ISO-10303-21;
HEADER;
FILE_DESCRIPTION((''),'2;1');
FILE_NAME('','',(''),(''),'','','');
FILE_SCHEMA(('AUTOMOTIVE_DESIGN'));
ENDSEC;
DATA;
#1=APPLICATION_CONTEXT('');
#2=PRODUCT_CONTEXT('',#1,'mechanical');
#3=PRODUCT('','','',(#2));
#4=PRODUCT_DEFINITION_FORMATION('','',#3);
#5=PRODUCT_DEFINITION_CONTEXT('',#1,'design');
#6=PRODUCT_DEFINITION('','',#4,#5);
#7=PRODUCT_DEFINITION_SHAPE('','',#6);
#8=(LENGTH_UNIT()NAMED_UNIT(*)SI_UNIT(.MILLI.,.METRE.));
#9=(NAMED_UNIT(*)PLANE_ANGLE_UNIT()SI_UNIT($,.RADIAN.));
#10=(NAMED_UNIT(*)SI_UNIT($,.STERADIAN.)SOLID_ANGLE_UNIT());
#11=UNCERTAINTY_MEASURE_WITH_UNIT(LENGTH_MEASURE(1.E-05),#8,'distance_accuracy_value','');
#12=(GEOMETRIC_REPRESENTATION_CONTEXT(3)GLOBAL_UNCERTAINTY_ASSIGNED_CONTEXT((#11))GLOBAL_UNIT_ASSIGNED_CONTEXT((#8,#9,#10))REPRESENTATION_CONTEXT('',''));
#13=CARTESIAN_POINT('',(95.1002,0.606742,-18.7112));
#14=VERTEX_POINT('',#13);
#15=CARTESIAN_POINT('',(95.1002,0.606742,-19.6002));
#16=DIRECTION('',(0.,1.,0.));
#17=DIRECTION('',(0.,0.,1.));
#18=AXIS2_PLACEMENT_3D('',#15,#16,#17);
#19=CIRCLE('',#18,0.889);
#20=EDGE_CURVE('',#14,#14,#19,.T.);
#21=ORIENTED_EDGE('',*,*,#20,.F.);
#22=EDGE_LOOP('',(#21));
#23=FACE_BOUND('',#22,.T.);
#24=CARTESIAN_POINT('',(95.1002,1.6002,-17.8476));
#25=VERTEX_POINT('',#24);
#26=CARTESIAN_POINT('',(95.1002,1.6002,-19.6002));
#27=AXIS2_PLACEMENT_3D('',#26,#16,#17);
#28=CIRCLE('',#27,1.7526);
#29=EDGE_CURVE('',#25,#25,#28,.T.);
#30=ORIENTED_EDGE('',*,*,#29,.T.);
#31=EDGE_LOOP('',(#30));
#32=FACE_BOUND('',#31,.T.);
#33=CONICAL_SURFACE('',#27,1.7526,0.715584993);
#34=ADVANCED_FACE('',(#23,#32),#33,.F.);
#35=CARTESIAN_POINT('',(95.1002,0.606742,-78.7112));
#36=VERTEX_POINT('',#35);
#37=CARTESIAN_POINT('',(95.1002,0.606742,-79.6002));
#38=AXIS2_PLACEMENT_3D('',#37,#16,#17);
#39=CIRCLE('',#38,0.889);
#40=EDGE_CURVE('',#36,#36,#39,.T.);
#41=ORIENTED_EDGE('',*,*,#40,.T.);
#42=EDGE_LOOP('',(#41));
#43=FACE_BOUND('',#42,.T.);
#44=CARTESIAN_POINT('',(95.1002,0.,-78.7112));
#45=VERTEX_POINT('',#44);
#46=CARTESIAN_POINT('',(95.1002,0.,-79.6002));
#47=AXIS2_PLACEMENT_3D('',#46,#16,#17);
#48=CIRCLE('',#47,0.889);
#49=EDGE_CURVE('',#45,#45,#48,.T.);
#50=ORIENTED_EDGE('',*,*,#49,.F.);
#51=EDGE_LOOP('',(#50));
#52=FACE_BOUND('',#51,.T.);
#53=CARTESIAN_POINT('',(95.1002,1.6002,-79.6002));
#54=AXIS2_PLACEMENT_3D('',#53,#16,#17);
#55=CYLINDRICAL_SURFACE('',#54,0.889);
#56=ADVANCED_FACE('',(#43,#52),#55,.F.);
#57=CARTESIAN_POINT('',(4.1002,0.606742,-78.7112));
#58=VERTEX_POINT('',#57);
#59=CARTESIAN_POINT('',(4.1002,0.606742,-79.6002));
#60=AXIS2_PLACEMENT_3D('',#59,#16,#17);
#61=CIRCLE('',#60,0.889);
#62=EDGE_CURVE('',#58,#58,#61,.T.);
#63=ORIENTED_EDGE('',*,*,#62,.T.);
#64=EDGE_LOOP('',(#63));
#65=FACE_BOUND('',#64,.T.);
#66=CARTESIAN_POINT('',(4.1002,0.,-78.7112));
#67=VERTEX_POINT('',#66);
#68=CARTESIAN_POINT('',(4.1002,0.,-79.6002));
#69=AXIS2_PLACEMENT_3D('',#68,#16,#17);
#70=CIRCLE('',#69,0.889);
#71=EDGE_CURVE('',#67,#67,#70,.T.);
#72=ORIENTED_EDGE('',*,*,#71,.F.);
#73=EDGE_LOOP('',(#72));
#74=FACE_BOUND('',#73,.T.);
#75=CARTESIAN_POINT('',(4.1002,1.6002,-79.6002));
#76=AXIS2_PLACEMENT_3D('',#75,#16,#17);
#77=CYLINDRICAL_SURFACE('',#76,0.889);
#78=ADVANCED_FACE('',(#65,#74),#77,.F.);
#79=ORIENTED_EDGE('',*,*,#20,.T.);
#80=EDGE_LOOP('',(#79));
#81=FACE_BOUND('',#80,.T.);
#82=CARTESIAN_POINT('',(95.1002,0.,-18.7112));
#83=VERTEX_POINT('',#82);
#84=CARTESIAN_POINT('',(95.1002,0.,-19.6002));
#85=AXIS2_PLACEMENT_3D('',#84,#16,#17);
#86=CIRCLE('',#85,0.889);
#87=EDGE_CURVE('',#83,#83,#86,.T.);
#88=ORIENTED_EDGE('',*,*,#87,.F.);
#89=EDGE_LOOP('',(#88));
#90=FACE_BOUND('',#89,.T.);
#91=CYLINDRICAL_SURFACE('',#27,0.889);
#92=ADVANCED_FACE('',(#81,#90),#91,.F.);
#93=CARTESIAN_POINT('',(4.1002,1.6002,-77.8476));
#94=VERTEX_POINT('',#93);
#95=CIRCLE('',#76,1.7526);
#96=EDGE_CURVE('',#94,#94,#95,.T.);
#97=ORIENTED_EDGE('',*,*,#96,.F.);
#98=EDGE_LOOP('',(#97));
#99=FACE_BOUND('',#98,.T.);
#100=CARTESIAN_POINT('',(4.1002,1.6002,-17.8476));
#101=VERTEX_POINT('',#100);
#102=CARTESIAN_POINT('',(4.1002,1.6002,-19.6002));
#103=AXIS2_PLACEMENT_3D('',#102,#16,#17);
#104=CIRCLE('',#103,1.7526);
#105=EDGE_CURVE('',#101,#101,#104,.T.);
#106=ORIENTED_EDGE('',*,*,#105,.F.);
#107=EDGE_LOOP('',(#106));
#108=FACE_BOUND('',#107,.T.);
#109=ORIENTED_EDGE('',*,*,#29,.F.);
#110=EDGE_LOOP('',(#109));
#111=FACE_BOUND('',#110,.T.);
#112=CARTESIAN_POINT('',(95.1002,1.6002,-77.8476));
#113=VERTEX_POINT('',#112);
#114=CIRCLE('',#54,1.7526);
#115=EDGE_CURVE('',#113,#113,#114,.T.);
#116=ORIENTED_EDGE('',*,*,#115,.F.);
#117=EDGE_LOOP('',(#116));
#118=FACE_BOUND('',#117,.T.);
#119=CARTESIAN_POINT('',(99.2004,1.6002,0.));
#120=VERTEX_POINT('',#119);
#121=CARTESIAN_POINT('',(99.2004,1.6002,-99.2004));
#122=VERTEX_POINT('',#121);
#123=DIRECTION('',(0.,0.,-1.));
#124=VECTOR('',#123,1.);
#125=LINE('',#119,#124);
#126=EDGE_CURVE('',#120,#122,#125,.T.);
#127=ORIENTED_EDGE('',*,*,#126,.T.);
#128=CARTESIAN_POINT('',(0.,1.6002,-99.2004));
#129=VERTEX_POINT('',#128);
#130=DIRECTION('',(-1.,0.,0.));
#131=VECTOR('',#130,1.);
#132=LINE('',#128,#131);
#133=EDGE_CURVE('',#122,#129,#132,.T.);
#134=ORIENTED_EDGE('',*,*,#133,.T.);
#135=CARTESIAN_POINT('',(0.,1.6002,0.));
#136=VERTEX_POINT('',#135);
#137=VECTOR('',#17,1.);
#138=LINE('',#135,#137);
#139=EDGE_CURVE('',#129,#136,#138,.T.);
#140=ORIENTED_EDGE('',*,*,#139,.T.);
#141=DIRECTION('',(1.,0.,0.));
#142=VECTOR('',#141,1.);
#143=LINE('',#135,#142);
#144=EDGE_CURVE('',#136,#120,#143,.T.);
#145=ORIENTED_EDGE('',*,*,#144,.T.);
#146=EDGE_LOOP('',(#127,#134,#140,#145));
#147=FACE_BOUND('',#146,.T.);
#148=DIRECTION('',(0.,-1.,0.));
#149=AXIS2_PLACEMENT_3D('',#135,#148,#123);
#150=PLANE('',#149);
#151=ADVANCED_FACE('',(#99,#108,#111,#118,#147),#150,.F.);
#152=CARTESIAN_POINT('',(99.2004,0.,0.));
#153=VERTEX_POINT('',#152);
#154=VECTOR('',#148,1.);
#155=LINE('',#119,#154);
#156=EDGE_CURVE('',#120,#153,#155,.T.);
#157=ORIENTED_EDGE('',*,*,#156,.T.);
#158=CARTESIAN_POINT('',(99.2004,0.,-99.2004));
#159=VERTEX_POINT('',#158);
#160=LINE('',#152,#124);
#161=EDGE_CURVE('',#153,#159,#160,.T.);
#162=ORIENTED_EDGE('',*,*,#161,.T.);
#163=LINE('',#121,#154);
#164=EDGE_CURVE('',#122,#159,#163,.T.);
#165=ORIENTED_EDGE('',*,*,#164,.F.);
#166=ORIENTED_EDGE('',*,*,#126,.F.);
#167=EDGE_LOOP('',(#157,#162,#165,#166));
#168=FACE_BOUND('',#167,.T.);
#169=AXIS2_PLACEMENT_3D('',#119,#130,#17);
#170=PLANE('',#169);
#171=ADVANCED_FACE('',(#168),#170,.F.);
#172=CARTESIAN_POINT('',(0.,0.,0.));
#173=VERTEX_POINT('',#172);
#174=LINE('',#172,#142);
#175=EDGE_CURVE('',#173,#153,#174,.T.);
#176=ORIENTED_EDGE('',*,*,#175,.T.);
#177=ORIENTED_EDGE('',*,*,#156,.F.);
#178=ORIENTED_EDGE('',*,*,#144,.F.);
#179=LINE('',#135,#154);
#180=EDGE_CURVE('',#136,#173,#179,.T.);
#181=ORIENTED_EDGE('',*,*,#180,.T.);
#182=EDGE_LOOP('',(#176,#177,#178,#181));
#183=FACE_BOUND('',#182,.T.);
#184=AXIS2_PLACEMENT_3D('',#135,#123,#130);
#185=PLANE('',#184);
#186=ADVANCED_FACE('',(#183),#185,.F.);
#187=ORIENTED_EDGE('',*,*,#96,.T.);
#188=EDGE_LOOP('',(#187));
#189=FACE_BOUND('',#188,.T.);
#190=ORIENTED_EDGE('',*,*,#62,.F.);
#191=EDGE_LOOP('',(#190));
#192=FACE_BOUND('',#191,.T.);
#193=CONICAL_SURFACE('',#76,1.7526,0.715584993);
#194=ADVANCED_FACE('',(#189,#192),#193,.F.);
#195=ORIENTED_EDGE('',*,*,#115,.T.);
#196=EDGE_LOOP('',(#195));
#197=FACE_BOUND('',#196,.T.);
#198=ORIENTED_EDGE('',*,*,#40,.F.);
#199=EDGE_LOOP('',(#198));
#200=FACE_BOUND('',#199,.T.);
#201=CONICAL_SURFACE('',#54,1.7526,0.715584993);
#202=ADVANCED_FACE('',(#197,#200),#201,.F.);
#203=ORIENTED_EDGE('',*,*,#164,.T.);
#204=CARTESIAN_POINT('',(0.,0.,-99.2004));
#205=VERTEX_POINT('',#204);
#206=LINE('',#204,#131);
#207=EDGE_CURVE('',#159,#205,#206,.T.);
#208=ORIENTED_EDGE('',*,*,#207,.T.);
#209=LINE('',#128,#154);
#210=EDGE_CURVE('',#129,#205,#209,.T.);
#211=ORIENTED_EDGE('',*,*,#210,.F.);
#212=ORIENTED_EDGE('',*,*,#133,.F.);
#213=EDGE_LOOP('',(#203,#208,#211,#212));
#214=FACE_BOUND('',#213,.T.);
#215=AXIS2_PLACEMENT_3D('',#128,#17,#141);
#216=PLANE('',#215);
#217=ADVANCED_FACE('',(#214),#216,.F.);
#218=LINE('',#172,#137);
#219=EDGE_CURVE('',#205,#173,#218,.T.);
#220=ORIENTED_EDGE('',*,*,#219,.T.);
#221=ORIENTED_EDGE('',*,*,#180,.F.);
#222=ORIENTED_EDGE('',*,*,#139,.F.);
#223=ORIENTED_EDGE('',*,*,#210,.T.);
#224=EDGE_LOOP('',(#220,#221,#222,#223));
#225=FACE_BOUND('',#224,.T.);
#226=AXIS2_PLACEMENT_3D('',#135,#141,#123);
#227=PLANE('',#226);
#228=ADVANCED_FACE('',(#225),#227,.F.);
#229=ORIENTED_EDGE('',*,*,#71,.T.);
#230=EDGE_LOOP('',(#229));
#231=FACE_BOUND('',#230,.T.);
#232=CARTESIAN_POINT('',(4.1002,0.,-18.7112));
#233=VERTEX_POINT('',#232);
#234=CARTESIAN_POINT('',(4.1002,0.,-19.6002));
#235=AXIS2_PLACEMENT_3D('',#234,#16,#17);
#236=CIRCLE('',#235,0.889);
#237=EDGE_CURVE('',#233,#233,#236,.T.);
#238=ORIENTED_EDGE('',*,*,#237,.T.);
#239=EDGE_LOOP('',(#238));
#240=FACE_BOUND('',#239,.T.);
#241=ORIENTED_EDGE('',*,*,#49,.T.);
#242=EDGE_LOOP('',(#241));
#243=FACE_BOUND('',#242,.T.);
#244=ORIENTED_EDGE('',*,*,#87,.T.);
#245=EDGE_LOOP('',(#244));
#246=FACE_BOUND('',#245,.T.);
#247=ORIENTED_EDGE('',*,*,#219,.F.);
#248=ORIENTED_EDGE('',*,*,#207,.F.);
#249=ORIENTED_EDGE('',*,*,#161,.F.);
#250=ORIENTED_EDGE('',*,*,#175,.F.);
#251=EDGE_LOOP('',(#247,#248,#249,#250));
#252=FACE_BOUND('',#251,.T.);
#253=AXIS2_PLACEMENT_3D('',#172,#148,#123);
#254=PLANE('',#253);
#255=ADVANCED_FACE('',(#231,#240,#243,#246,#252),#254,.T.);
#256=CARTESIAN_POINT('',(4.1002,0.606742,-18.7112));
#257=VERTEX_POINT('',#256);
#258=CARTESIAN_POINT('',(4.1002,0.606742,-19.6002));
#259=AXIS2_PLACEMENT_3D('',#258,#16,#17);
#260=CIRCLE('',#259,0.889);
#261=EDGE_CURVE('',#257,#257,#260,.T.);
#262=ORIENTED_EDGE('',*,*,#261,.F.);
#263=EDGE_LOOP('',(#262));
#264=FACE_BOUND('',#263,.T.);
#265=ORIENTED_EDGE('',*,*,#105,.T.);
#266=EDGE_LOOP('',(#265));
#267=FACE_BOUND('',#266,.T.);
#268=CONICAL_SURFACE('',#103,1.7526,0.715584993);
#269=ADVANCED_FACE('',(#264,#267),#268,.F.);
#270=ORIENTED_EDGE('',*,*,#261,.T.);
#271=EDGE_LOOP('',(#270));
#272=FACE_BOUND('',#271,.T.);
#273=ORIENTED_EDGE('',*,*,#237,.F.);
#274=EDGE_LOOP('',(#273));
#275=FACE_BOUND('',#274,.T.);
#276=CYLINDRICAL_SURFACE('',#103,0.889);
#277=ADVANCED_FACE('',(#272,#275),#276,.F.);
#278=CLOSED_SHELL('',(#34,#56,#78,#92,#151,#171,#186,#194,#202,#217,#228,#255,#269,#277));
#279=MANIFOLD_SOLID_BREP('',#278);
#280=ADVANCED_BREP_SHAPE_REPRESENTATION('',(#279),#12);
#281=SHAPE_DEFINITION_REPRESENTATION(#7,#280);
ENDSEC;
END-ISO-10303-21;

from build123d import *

# Parameters (mm, degrees)
SKETCH1_W                                     = 99.2004
SKETCH1_H                                     = 99.2004
BOSS_EXTRUDE1_DEPTH                           = 1.6002
CSK_FOR_0_FLAT_HEAD_SOCKET_CAP_SCREW1_A_COUNT = 2
CSK_FOR_0_FLAT_HEAD_SOCKET_CAP_SCREW1_A_PITCH = 60
CSK_FOR_0_FLAT_HEAD_SOCKET_CAP_SCRE_2_COUNT   = 2
CSK_FOR_0_FLAT_HEAD_SOCKET_CAP_SCRE_2_PITCH   = 109
CSK_FOR_0_FLAT_HEAD_SOCKET_CAP_SCRE_3_COUNT   = 2
CSK_FOR_0_FLAT_HEAD_SOCKET_CAP_SCRE_3_PITCH   = 91


with BuildPart() as part:
    # Sketch1 → Boss-Extrude1 (new body)
    with BuildSketch(Plane(origin=(0, 0, 0), x_dir=(1, 0, 0), z_dir=(0, 1, 0))):
        with Locations((49.6002, 49.6002)):
            Rectangle(SKETCH1_W, SKETCH1_H)
    extrude(amount=BOSS_EXTRUDE1_DEPTH)

    # Sketch5 → CSK for #0 Flat Head Socket Cap Screw1 (revolve, cut)
    with BuildSketch(Plane(origin=(4.1002, 1.6002, -79.6002), x_dir=(0, 0, 1), z_dir=(1, 0, 0))):
        Polygon((0, 0), (0, 1.6002), (0.889, 1.6002), (0.889, 0.993458156), (1.7526, 0), align=None)
    csk_for_0_flat_head_socket_cap_screw1 = revolve(axis=Axis((4.1002, 7.9502, -79.6002), (0, -1, 0)), mode=Mode.SUBTRACT)

    # CSK for #0 Flat Head Socket Cap Screw1 a: CSK for #0 Flat Head Socket Cap Screw1 ×2
    with Locations(*[(0, 0, i * CSK_FOR_0_FLAT_HEAD_SOCKET_CAP_SCREW1_A_PITCH) for i in range(1, CSK_FOR_0_FLAT_HEAD_SOCKET_CAP_SCREW1_A_COUNT)]):
        add(csk_for_0_flat_head_socket_cap_screw1, mode=Mode.SUBTRACT)

    # CSK for _0 Flat Head Socket Cap Scre 2: CSK for #0 Flat Head Socket Cap Screw1 ×2
    with Locations(*[Vector(0.834862385, 0, 0.550458716) * (i * CSK_FOR_0_FLAT_HEAD_SOCKET_CAP_SCRE_2_PITCH) for i in range(1, CSK_FOR_0_FLAT_HEAD_SOCKET_CAP_SCRE_2_COUNT)]):
        add(csk_for_0_flat_head_socket_cap_screw1, mode=Mode.SUBTRACT)

    # CSK for _0 Flat Head Socket Cap Scre 3: CSK for #0 Flat Head Socket Cap Screw1 ×2
    with Locations(*[(i * CSK_FOR_0_FLAT_HEAD_SOCKET_CAP_SCRE_3_PITCH, 0, 0) for i in range(1, CSK_FOR_0_FLAT_HEAD_SOCKET_CAP_SCRE_3_COUNT)]):
        add(csk_for_0_flat_head_socket_cap_screw1, mode=Mode.SUBTRACT)


solid = part.part
